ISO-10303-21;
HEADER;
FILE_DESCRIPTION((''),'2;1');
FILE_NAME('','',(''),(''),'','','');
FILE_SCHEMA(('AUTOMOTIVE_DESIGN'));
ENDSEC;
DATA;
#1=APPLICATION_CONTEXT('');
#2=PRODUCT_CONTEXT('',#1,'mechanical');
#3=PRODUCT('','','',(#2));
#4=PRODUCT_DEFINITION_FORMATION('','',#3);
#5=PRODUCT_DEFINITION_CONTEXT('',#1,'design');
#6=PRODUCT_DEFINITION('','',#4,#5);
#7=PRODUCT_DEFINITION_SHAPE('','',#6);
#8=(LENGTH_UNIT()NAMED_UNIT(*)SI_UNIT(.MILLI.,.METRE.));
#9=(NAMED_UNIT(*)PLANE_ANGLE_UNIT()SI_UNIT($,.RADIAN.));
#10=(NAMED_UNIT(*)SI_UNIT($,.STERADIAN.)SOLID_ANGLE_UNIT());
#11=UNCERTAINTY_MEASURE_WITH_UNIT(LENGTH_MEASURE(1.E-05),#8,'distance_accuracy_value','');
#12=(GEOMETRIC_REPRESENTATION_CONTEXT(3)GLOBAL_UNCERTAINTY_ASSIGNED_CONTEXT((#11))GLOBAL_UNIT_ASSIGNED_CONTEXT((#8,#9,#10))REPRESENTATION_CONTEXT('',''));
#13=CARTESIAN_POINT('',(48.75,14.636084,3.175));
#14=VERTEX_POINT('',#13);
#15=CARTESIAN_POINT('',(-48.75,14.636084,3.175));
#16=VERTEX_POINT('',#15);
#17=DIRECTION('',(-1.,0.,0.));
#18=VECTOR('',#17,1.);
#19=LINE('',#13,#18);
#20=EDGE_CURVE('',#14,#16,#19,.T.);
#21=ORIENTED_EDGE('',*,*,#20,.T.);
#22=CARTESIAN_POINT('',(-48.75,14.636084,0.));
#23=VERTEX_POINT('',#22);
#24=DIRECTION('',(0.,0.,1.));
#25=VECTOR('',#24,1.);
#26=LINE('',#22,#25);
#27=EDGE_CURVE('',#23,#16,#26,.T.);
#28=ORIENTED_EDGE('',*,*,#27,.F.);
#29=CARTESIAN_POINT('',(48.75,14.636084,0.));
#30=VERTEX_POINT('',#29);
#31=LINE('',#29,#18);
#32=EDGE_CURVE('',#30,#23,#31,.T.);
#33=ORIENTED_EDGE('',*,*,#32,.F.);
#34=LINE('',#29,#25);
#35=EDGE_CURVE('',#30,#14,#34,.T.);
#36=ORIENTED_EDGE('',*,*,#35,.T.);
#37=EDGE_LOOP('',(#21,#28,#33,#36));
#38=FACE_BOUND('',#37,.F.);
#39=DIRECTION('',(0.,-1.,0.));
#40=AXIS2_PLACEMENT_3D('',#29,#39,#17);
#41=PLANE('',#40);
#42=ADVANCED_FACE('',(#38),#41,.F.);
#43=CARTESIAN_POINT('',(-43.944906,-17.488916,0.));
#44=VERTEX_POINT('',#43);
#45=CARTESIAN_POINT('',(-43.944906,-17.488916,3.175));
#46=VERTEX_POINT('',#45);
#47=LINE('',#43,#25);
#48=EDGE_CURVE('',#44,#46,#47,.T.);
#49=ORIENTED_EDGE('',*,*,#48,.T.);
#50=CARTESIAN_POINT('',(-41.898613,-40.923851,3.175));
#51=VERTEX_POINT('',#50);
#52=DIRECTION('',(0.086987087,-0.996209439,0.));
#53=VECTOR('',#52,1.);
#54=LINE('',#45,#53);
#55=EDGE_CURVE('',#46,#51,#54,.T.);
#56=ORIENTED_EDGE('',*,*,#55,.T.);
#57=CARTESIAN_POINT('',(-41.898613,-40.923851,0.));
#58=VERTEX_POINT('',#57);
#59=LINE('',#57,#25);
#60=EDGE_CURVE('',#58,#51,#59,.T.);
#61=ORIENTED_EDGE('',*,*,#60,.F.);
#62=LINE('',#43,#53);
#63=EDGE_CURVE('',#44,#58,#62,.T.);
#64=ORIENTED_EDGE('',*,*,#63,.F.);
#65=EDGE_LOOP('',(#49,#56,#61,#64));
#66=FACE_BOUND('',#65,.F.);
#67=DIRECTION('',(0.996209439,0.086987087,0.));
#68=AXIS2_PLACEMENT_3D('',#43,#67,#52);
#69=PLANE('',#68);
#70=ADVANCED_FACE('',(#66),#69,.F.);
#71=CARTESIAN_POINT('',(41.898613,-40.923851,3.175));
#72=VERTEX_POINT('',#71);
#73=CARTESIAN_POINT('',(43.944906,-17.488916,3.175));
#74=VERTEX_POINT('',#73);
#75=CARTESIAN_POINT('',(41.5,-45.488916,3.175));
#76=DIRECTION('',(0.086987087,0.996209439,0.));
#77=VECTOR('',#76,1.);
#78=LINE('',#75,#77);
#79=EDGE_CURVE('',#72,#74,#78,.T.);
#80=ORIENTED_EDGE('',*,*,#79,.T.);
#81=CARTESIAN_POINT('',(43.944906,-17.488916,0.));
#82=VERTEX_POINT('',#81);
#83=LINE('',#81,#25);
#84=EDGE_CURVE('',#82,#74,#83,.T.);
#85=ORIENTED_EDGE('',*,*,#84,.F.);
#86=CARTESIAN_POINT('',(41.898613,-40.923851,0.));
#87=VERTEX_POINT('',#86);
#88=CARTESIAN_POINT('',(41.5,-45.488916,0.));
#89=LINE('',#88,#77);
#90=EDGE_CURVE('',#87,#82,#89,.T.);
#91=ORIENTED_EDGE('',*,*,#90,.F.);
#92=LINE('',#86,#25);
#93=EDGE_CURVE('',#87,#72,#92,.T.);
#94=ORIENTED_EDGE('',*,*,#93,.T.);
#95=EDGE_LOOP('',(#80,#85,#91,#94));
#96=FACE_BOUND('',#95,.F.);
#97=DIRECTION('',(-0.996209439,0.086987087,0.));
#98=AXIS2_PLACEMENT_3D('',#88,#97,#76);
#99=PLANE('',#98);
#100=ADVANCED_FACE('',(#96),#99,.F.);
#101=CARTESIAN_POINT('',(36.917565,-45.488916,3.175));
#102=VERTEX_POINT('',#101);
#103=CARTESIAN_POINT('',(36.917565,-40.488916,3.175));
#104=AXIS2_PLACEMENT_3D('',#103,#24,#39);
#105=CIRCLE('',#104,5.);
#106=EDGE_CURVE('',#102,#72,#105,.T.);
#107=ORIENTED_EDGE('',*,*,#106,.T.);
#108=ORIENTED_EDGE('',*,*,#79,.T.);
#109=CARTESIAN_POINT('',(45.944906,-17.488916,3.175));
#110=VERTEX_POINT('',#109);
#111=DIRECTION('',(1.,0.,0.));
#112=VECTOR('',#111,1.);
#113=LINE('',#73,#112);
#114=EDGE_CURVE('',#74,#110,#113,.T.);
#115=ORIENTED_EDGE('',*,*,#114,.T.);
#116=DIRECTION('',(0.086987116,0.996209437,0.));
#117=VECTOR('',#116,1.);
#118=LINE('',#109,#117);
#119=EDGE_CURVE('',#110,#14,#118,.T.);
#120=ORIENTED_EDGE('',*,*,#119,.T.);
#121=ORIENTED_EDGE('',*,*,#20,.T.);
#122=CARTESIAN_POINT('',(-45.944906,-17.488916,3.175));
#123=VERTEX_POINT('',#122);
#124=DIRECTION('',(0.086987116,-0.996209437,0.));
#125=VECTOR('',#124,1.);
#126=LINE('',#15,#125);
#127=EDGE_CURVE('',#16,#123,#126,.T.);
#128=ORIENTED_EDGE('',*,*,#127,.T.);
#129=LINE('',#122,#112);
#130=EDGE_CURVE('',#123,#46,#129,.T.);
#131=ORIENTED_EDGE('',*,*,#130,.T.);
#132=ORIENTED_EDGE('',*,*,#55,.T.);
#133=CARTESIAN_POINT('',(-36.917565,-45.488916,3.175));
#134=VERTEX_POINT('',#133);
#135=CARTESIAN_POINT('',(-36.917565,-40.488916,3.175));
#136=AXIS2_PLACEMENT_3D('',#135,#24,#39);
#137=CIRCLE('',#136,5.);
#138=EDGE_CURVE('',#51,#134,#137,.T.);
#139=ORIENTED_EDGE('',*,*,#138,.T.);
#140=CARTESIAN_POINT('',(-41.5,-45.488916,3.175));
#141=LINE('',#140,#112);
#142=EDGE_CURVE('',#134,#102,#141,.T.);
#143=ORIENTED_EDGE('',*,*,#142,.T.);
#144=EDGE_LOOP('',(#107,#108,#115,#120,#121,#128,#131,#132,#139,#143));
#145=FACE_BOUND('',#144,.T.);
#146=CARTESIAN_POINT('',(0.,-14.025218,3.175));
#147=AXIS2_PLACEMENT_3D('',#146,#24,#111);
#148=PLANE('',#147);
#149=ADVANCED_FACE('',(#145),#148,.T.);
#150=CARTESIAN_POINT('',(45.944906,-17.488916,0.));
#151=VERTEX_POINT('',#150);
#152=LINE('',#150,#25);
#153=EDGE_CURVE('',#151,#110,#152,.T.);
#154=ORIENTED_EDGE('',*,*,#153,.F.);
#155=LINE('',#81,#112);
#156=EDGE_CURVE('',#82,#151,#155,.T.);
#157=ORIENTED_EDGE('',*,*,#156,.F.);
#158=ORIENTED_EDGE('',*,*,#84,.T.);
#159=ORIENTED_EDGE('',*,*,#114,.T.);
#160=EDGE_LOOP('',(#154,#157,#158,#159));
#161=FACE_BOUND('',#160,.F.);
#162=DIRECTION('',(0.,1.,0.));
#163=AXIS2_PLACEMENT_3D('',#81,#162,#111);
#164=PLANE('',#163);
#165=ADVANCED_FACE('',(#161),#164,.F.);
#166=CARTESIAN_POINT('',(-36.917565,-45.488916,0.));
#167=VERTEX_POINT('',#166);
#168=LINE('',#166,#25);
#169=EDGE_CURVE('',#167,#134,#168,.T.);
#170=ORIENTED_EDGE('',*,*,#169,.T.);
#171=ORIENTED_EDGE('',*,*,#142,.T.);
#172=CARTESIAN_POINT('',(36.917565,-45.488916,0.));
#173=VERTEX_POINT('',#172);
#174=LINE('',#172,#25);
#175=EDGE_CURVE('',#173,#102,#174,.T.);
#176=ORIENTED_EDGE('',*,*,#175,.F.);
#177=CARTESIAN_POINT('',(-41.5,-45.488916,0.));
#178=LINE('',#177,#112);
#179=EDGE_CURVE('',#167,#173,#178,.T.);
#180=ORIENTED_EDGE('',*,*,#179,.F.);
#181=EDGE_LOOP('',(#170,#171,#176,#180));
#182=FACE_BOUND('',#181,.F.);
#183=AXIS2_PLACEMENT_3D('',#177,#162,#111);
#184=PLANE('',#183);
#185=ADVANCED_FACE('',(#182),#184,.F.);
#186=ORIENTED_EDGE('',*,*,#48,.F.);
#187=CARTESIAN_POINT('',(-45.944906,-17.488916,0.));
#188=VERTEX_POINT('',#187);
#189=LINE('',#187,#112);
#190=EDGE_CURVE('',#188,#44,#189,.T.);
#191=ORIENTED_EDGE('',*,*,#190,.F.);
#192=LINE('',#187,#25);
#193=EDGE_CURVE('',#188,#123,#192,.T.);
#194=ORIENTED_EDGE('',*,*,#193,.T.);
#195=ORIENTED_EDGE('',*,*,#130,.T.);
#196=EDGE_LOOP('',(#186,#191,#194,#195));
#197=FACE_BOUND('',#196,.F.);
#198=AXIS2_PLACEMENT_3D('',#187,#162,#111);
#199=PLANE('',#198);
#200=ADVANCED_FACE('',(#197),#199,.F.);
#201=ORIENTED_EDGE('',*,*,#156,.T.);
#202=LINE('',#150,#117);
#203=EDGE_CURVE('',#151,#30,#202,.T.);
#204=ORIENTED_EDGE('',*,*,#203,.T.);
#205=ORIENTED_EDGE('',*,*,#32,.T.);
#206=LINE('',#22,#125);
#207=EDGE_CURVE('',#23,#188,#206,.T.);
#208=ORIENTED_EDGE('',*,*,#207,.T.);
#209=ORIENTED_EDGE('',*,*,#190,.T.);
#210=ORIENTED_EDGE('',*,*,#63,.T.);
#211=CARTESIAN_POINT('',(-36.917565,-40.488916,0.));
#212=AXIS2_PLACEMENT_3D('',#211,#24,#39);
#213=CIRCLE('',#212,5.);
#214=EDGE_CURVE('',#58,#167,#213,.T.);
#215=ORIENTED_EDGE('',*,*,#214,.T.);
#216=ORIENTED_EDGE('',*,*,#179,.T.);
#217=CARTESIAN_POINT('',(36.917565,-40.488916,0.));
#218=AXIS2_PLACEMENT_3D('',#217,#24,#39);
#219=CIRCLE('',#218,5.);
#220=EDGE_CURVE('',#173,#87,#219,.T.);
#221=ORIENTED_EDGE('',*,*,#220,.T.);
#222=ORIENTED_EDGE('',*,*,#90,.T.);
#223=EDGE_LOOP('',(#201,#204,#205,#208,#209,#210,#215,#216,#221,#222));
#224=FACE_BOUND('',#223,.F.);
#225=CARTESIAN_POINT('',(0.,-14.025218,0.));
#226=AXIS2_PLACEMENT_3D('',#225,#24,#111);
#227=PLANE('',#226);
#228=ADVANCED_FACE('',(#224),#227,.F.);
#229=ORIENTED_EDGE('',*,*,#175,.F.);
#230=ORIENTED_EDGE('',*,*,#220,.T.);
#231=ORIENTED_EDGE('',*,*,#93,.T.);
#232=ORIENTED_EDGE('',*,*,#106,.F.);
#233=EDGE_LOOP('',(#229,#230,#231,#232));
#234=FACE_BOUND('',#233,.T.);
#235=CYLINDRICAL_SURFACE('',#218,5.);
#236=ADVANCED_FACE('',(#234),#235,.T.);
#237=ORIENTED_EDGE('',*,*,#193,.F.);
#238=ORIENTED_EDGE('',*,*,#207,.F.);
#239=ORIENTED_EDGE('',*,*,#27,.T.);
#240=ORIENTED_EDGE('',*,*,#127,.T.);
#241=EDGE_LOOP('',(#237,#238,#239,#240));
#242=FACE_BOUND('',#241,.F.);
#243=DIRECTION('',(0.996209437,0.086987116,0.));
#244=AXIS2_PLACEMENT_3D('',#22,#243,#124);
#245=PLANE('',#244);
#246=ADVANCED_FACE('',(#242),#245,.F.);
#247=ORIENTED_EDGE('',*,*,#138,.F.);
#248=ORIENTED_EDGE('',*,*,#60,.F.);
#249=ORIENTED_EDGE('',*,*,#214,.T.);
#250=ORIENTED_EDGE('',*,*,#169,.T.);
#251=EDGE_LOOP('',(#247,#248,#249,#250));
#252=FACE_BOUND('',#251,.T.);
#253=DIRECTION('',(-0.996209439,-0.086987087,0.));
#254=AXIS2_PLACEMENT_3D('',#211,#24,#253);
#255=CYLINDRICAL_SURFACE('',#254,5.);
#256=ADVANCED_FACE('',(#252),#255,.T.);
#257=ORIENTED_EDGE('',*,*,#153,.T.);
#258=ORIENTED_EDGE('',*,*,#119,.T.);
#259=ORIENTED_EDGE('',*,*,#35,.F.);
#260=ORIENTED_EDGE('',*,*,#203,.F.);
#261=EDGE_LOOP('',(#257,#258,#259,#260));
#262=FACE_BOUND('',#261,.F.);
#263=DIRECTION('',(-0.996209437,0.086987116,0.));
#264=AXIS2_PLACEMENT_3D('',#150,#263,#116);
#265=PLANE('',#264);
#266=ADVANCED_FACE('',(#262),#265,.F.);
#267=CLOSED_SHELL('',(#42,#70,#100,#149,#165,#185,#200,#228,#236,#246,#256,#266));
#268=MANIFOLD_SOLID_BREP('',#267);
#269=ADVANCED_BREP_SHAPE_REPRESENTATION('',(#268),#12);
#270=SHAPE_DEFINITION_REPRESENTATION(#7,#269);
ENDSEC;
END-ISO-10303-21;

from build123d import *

# Parameters (mm, degrees)
F1_DEPTH = 3.175
F2_R     = 5


with BuildPart() as f1:
    # F0 (on Top) → F1 (new body)
    with BuildSketch(Plane.XY):
        Polygon((48.75, 14.636084), (-48.75, 14.636084), (-45.944906, -17.488916), (-43.944906, -17.488916), (-41.5, -45.488916), (0, -45.488916), (41.5, -45.488916), (43.944906, -17.488916), (45.944906, -17.488916), align=None)
    extrude(amount=F1_DEPTH)

    # F2
    f2_edges = [f1.edges().sort_by_distance(p)[0] for p in [
        (-41.5, -45.488916, 1.5875),
        (41.5, -45.488916, 1.5875),
    ]]
    fillet(f2_edges, radius=F2_R)


solid = f1.part
